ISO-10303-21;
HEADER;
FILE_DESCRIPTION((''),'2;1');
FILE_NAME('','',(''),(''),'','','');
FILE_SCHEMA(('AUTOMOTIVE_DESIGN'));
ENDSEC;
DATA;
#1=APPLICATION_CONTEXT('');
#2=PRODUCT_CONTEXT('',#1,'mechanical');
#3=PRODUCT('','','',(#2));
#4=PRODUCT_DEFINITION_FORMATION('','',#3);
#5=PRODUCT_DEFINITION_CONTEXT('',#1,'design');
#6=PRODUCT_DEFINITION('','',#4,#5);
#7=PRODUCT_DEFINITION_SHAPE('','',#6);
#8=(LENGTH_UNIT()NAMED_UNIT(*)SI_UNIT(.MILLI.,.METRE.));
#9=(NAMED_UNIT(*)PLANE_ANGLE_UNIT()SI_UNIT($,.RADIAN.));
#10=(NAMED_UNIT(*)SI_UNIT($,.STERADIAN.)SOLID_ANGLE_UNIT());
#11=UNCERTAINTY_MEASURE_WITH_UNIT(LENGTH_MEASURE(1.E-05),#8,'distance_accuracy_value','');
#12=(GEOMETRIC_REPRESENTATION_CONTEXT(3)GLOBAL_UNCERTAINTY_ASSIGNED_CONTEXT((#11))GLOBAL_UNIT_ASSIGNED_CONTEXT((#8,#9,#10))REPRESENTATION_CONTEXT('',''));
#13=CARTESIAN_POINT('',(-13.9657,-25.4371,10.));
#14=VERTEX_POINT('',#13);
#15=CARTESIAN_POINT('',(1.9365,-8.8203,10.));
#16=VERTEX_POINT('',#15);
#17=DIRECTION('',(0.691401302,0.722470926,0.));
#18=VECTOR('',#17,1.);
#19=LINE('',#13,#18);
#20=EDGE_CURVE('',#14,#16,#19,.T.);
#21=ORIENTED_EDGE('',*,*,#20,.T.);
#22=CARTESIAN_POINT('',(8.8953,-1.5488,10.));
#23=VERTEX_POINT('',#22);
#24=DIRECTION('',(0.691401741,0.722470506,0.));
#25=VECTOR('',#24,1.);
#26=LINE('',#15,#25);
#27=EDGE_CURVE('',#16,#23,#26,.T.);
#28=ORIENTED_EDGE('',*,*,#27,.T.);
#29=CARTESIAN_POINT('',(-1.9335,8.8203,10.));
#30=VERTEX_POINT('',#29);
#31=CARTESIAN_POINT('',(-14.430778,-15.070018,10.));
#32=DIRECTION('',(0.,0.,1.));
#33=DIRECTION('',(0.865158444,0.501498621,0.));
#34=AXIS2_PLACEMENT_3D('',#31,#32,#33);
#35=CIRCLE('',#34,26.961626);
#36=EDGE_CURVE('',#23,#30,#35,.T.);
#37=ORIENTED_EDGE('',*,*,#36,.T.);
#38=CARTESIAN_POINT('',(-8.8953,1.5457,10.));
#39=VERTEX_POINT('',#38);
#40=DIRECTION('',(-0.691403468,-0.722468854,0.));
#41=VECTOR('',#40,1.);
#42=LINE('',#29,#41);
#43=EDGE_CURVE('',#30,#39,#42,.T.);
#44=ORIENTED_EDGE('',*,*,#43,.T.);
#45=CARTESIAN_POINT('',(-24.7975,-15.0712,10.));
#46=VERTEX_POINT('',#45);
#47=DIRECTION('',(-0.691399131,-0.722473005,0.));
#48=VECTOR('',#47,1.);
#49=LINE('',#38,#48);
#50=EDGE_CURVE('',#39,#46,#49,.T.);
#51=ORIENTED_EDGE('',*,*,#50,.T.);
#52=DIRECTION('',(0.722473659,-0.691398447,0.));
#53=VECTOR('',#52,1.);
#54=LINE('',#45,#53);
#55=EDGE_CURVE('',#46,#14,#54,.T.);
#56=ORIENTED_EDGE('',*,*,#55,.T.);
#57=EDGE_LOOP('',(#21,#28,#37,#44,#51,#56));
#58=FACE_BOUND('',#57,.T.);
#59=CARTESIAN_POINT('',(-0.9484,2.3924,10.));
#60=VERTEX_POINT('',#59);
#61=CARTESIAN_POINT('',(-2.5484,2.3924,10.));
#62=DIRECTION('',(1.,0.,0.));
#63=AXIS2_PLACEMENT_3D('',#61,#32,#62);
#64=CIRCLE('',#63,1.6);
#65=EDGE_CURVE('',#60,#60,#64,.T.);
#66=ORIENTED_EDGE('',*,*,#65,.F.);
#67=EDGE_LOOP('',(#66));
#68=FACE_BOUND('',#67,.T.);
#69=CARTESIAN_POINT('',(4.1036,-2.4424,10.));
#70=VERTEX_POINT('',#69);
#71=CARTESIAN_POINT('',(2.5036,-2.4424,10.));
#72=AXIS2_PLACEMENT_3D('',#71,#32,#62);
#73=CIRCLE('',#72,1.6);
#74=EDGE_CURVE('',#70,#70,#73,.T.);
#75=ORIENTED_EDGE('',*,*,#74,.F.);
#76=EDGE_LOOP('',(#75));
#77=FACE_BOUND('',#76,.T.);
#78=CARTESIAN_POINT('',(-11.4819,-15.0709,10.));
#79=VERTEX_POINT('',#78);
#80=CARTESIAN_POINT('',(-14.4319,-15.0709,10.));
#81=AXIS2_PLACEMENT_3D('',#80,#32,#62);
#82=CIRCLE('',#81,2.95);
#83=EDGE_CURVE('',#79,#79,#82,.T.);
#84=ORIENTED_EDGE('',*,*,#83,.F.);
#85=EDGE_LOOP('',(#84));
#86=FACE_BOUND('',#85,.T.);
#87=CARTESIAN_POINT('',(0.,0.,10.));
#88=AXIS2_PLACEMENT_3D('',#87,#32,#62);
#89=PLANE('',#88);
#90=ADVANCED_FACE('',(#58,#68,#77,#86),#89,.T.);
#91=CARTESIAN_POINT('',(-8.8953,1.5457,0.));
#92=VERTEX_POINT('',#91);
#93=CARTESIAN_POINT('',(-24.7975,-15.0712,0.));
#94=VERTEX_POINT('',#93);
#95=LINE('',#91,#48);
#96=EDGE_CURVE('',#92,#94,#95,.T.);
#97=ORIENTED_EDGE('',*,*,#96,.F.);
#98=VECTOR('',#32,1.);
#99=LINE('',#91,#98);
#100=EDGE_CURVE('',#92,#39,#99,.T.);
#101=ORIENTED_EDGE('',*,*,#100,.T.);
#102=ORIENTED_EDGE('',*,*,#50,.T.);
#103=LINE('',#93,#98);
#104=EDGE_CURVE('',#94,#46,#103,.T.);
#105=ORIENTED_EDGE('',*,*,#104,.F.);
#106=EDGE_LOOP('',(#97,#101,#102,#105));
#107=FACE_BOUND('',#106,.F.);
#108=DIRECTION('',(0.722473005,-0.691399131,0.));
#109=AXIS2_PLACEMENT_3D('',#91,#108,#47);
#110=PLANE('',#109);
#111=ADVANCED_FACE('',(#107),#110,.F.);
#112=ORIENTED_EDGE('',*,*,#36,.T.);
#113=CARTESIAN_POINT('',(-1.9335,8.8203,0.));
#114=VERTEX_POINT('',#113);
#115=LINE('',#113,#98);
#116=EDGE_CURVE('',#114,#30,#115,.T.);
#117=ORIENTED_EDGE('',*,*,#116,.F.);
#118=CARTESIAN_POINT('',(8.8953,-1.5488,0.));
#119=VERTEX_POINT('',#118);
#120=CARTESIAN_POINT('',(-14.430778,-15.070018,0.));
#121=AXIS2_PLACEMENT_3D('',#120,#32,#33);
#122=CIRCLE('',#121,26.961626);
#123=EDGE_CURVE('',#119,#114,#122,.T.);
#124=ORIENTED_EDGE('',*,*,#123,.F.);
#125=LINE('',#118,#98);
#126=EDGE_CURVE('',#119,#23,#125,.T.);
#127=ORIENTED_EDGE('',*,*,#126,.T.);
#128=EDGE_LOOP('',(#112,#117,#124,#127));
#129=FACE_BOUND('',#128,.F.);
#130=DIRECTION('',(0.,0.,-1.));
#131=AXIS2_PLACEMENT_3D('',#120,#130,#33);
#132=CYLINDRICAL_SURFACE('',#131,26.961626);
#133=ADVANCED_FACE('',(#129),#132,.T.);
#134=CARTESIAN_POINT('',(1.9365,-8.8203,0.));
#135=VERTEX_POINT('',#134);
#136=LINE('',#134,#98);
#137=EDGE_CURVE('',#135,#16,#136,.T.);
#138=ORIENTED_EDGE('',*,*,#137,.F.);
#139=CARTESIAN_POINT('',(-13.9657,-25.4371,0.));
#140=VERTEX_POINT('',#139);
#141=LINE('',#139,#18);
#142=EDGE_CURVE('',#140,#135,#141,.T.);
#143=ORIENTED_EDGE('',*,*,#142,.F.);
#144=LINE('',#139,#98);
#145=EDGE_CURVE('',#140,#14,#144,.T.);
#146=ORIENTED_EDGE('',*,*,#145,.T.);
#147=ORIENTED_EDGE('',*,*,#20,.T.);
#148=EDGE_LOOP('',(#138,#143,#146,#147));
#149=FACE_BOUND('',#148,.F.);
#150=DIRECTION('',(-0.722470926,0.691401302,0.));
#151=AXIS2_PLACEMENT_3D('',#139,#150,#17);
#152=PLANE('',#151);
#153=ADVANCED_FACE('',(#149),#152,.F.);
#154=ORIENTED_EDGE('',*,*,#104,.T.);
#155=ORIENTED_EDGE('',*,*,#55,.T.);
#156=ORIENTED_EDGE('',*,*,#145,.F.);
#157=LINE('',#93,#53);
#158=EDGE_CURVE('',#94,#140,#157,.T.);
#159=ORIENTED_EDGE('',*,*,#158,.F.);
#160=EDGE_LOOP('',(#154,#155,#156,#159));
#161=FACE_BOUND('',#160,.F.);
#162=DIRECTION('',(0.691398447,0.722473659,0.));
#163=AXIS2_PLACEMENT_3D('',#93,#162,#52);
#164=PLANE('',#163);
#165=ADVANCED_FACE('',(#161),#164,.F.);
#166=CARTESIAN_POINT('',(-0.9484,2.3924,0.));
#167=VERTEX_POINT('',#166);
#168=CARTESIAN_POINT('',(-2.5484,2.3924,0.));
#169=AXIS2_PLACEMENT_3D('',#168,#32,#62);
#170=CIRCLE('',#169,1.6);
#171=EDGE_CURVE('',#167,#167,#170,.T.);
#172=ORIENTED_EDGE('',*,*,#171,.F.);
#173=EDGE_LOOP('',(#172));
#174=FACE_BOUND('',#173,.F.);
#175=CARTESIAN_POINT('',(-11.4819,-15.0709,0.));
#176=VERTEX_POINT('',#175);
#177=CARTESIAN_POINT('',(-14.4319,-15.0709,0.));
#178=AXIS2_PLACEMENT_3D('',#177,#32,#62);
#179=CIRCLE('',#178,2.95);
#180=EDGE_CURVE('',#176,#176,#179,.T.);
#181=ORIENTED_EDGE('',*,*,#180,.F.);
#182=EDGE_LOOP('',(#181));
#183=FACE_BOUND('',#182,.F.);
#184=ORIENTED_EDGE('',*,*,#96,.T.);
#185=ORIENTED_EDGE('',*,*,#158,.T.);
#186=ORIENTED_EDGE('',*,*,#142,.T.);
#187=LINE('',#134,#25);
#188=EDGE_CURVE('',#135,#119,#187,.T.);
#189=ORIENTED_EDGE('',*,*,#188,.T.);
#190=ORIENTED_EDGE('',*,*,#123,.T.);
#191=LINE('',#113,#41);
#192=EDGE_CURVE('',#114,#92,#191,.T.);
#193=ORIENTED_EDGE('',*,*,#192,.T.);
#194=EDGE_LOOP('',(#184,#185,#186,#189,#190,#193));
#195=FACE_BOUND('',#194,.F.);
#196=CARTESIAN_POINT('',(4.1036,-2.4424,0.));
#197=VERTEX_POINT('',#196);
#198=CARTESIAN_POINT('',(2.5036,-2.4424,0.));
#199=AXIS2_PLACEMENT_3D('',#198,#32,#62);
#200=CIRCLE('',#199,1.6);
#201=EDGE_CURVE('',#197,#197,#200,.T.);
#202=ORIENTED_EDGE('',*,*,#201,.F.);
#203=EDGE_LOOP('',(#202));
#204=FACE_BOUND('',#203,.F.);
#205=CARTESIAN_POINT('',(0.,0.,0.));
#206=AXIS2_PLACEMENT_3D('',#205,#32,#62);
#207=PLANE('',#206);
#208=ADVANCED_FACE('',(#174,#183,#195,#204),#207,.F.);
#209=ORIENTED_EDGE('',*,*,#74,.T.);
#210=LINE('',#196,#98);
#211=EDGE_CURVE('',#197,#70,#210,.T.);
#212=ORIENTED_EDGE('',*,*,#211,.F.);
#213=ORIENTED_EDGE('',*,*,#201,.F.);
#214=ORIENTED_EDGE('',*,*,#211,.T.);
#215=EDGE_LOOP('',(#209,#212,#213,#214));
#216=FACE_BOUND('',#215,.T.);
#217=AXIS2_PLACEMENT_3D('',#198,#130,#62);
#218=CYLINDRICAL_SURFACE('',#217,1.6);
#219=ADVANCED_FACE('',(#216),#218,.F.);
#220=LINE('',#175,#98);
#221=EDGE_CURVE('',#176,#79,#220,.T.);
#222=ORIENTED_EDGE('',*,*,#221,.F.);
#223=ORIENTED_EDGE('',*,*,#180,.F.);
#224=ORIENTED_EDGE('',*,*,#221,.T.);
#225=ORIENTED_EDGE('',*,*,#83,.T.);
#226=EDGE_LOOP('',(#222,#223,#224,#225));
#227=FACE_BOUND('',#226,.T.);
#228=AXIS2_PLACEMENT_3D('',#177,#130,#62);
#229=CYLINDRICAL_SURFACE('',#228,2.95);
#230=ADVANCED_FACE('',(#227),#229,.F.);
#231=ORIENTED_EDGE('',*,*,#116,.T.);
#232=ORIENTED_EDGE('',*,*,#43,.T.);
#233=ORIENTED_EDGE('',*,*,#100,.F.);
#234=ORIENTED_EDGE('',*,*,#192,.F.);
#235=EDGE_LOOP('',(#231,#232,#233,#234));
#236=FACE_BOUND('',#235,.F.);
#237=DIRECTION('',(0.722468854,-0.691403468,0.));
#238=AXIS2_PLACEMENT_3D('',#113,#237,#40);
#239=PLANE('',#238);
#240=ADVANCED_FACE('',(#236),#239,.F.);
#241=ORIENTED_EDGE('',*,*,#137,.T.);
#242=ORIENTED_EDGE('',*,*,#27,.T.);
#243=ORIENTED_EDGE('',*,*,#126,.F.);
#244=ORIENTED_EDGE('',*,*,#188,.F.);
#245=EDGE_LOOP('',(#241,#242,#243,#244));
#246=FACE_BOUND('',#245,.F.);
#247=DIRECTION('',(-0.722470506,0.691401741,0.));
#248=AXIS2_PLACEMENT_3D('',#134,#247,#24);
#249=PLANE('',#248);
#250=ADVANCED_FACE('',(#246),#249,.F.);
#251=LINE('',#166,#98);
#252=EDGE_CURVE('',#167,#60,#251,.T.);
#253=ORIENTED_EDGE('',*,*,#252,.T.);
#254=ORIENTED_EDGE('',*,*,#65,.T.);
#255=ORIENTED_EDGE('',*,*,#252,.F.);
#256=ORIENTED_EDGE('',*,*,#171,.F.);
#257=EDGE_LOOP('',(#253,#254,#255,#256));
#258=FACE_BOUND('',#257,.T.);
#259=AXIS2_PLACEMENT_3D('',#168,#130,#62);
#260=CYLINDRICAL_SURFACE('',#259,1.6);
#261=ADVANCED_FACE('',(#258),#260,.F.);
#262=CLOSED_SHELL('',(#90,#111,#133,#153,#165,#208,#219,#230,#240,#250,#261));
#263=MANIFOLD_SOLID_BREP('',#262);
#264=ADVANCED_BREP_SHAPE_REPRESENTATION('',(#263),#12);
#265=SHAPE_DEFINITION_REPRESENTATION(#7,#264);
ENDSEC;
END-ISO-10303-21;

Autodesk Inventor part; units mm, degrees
ref_plane "YZ Plane" through (0, 0, 0) normal (1, 0, 0) x (0, 1, 0)
ref_plane "XZ Plane" through (0, 0, 0) normal (0, 1, 0) x (-1, 0, 0)
ref_plane "XY Plane" through (0, 0, 0) normal (0, 0, 1) x (1, 0, 0)
sketch "Skizze1" plane through (0, 0, 0) normal (0, 0, 1) x (1, 0, 0)
  circle A0 centre (2.5036, -2.4424) radius 1.4 construction
  circle A1 centre (-2.5484, 2.3924) radius 1.4 construction
  arc A2 (8.8953, -1.5488) -> (-1.9335, 8.8203) centre (-14.4319, -15.0709) ccw projected
  line L0 (-1.9335, 8.8203) -> (-8.8953, 1.5457) projected
  line L1 (-8.8953, 1.5457) -> (1.9365, -8.8203) projected
  line L2 (1.9365, -8.8203) -> (8.8953, -1.5488) projected
  arc A3 (-17.415, -14.7529) -> (-12.7255, -17.5384) centre (-14.4319, -15.0709) ccw projected
  line L3 (-8.8953, 1.5457) -> (-24.7975, -15.0712)
  line L4 (-24.7975, -15.0712) -> (-13.9657, -25.4371)
  line L5 (-13.9657, -25.4371) -> (1.9365, -8.8203)
  arc A4 (-13.2888, -12.8475) -> (-12.2085, -16.214) centre (-14.4319, -15.0709) ccw projected
  circle A5 centre (-14.4319, -15.0709) radius 2.95
  circle A6 centre (-2.5484, 2.3924) radius 1.6
  circle A7 centre (2.5036, -2.4424) radius 1.6
  point P0 (0, 0)
  dimension "d0" = 23
  dimension "d1" = 5.9
  dimension "d2" = 3.2
  dimension "d3" = 3.2
extrude "Extrusion1" add sketch "Skizze1" along normal blind 10
sketch "Skizze2" plane through (0, 0, 10) normal (0, 0, 1) x (1, 0, 0)
  point P0 (0, 0)
sketch "Skizze3" plane through (0, 0, 10) normal (0, 0, 1) x (1, 0, 0)
  point P0 (0, 0)
properties part number "IM_Matchboxscope_Laserholder_2"
